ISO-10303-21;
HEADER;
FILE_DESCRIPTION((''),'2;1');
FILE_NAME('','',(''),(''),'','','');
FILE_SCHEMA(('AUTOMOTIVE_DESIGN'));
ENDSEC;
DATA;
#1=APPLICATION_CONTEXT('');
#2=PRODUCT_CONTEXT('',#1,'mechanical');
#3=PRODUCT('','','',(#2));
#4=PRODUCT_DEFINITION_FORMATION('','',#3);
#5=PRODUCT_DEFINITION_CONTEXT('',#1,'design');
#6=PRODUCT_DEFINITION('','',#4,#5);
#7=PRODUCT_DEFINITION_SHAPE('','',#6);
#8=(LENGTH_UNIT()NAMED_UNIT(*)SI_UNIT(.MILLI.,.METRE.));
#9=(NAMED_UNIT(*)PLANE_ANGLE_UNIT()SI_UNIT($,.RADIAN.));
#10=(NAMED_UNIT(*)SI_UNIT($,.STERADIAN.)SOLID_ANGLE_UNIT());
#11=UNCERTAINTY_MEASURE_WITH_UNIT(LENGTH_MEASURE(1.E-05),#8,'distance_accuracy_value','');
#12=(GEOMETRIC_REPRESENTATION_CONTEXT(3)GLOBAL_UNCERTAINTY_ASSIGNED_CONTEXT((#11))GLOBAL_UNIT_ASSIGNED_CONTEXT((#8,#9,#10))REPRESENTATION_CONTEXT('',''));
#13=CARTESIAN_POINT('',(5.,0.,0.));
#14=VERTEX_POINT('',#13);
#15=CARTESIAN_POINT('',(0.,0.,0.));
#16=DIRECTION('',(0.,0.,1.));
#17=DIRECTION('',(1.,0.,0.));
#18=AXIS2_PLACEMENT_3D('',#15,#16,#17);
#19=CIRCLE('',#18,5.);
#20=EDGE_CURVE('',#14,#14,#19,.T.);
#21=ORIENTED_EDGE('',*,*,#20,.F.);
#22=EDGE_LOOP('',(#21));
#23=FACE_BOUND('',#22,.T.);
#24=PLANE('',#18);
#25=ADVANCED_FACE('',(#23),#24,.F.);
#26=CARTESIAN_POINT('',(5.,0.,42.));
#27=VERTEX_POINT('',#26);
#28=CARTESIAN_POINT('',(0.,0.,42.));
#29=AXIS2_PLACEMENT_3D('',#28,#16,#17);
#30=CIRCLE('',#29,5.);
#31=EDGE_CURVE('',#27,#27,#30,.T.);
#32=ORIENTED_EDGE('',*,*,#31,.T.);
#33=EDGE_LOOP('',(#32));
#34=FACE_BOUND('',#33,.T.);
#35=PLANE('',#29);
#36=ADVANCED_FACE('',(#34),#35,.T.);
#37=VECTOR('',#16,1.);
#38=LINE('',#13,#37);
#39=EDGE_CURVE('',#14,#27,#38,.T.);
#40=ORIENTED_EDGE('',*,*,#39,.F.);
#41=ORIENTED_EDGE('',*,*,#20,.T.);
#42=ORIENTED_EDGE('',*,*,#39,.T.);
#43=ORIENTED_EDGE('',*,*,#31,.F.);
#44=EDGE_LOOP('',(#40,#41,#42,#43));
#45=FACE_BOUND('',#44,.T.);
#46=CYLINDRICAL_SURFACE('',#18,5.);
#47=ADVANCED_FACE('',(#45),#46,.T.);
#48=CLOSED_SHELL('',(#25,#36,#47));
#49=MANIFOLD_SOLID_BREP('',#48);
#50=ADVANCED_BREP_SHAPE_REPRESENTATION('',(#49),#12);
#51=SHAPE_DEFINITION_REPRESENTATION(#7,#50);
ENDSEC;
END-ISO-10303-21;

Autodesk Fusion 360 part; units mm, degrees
cylinder "CilindroPrimitivo1" add diameter 10 height 42 placed x (1, 0, 0) y (0, 1, 0) z (0, 0, 1) at (0, 0, 0)
